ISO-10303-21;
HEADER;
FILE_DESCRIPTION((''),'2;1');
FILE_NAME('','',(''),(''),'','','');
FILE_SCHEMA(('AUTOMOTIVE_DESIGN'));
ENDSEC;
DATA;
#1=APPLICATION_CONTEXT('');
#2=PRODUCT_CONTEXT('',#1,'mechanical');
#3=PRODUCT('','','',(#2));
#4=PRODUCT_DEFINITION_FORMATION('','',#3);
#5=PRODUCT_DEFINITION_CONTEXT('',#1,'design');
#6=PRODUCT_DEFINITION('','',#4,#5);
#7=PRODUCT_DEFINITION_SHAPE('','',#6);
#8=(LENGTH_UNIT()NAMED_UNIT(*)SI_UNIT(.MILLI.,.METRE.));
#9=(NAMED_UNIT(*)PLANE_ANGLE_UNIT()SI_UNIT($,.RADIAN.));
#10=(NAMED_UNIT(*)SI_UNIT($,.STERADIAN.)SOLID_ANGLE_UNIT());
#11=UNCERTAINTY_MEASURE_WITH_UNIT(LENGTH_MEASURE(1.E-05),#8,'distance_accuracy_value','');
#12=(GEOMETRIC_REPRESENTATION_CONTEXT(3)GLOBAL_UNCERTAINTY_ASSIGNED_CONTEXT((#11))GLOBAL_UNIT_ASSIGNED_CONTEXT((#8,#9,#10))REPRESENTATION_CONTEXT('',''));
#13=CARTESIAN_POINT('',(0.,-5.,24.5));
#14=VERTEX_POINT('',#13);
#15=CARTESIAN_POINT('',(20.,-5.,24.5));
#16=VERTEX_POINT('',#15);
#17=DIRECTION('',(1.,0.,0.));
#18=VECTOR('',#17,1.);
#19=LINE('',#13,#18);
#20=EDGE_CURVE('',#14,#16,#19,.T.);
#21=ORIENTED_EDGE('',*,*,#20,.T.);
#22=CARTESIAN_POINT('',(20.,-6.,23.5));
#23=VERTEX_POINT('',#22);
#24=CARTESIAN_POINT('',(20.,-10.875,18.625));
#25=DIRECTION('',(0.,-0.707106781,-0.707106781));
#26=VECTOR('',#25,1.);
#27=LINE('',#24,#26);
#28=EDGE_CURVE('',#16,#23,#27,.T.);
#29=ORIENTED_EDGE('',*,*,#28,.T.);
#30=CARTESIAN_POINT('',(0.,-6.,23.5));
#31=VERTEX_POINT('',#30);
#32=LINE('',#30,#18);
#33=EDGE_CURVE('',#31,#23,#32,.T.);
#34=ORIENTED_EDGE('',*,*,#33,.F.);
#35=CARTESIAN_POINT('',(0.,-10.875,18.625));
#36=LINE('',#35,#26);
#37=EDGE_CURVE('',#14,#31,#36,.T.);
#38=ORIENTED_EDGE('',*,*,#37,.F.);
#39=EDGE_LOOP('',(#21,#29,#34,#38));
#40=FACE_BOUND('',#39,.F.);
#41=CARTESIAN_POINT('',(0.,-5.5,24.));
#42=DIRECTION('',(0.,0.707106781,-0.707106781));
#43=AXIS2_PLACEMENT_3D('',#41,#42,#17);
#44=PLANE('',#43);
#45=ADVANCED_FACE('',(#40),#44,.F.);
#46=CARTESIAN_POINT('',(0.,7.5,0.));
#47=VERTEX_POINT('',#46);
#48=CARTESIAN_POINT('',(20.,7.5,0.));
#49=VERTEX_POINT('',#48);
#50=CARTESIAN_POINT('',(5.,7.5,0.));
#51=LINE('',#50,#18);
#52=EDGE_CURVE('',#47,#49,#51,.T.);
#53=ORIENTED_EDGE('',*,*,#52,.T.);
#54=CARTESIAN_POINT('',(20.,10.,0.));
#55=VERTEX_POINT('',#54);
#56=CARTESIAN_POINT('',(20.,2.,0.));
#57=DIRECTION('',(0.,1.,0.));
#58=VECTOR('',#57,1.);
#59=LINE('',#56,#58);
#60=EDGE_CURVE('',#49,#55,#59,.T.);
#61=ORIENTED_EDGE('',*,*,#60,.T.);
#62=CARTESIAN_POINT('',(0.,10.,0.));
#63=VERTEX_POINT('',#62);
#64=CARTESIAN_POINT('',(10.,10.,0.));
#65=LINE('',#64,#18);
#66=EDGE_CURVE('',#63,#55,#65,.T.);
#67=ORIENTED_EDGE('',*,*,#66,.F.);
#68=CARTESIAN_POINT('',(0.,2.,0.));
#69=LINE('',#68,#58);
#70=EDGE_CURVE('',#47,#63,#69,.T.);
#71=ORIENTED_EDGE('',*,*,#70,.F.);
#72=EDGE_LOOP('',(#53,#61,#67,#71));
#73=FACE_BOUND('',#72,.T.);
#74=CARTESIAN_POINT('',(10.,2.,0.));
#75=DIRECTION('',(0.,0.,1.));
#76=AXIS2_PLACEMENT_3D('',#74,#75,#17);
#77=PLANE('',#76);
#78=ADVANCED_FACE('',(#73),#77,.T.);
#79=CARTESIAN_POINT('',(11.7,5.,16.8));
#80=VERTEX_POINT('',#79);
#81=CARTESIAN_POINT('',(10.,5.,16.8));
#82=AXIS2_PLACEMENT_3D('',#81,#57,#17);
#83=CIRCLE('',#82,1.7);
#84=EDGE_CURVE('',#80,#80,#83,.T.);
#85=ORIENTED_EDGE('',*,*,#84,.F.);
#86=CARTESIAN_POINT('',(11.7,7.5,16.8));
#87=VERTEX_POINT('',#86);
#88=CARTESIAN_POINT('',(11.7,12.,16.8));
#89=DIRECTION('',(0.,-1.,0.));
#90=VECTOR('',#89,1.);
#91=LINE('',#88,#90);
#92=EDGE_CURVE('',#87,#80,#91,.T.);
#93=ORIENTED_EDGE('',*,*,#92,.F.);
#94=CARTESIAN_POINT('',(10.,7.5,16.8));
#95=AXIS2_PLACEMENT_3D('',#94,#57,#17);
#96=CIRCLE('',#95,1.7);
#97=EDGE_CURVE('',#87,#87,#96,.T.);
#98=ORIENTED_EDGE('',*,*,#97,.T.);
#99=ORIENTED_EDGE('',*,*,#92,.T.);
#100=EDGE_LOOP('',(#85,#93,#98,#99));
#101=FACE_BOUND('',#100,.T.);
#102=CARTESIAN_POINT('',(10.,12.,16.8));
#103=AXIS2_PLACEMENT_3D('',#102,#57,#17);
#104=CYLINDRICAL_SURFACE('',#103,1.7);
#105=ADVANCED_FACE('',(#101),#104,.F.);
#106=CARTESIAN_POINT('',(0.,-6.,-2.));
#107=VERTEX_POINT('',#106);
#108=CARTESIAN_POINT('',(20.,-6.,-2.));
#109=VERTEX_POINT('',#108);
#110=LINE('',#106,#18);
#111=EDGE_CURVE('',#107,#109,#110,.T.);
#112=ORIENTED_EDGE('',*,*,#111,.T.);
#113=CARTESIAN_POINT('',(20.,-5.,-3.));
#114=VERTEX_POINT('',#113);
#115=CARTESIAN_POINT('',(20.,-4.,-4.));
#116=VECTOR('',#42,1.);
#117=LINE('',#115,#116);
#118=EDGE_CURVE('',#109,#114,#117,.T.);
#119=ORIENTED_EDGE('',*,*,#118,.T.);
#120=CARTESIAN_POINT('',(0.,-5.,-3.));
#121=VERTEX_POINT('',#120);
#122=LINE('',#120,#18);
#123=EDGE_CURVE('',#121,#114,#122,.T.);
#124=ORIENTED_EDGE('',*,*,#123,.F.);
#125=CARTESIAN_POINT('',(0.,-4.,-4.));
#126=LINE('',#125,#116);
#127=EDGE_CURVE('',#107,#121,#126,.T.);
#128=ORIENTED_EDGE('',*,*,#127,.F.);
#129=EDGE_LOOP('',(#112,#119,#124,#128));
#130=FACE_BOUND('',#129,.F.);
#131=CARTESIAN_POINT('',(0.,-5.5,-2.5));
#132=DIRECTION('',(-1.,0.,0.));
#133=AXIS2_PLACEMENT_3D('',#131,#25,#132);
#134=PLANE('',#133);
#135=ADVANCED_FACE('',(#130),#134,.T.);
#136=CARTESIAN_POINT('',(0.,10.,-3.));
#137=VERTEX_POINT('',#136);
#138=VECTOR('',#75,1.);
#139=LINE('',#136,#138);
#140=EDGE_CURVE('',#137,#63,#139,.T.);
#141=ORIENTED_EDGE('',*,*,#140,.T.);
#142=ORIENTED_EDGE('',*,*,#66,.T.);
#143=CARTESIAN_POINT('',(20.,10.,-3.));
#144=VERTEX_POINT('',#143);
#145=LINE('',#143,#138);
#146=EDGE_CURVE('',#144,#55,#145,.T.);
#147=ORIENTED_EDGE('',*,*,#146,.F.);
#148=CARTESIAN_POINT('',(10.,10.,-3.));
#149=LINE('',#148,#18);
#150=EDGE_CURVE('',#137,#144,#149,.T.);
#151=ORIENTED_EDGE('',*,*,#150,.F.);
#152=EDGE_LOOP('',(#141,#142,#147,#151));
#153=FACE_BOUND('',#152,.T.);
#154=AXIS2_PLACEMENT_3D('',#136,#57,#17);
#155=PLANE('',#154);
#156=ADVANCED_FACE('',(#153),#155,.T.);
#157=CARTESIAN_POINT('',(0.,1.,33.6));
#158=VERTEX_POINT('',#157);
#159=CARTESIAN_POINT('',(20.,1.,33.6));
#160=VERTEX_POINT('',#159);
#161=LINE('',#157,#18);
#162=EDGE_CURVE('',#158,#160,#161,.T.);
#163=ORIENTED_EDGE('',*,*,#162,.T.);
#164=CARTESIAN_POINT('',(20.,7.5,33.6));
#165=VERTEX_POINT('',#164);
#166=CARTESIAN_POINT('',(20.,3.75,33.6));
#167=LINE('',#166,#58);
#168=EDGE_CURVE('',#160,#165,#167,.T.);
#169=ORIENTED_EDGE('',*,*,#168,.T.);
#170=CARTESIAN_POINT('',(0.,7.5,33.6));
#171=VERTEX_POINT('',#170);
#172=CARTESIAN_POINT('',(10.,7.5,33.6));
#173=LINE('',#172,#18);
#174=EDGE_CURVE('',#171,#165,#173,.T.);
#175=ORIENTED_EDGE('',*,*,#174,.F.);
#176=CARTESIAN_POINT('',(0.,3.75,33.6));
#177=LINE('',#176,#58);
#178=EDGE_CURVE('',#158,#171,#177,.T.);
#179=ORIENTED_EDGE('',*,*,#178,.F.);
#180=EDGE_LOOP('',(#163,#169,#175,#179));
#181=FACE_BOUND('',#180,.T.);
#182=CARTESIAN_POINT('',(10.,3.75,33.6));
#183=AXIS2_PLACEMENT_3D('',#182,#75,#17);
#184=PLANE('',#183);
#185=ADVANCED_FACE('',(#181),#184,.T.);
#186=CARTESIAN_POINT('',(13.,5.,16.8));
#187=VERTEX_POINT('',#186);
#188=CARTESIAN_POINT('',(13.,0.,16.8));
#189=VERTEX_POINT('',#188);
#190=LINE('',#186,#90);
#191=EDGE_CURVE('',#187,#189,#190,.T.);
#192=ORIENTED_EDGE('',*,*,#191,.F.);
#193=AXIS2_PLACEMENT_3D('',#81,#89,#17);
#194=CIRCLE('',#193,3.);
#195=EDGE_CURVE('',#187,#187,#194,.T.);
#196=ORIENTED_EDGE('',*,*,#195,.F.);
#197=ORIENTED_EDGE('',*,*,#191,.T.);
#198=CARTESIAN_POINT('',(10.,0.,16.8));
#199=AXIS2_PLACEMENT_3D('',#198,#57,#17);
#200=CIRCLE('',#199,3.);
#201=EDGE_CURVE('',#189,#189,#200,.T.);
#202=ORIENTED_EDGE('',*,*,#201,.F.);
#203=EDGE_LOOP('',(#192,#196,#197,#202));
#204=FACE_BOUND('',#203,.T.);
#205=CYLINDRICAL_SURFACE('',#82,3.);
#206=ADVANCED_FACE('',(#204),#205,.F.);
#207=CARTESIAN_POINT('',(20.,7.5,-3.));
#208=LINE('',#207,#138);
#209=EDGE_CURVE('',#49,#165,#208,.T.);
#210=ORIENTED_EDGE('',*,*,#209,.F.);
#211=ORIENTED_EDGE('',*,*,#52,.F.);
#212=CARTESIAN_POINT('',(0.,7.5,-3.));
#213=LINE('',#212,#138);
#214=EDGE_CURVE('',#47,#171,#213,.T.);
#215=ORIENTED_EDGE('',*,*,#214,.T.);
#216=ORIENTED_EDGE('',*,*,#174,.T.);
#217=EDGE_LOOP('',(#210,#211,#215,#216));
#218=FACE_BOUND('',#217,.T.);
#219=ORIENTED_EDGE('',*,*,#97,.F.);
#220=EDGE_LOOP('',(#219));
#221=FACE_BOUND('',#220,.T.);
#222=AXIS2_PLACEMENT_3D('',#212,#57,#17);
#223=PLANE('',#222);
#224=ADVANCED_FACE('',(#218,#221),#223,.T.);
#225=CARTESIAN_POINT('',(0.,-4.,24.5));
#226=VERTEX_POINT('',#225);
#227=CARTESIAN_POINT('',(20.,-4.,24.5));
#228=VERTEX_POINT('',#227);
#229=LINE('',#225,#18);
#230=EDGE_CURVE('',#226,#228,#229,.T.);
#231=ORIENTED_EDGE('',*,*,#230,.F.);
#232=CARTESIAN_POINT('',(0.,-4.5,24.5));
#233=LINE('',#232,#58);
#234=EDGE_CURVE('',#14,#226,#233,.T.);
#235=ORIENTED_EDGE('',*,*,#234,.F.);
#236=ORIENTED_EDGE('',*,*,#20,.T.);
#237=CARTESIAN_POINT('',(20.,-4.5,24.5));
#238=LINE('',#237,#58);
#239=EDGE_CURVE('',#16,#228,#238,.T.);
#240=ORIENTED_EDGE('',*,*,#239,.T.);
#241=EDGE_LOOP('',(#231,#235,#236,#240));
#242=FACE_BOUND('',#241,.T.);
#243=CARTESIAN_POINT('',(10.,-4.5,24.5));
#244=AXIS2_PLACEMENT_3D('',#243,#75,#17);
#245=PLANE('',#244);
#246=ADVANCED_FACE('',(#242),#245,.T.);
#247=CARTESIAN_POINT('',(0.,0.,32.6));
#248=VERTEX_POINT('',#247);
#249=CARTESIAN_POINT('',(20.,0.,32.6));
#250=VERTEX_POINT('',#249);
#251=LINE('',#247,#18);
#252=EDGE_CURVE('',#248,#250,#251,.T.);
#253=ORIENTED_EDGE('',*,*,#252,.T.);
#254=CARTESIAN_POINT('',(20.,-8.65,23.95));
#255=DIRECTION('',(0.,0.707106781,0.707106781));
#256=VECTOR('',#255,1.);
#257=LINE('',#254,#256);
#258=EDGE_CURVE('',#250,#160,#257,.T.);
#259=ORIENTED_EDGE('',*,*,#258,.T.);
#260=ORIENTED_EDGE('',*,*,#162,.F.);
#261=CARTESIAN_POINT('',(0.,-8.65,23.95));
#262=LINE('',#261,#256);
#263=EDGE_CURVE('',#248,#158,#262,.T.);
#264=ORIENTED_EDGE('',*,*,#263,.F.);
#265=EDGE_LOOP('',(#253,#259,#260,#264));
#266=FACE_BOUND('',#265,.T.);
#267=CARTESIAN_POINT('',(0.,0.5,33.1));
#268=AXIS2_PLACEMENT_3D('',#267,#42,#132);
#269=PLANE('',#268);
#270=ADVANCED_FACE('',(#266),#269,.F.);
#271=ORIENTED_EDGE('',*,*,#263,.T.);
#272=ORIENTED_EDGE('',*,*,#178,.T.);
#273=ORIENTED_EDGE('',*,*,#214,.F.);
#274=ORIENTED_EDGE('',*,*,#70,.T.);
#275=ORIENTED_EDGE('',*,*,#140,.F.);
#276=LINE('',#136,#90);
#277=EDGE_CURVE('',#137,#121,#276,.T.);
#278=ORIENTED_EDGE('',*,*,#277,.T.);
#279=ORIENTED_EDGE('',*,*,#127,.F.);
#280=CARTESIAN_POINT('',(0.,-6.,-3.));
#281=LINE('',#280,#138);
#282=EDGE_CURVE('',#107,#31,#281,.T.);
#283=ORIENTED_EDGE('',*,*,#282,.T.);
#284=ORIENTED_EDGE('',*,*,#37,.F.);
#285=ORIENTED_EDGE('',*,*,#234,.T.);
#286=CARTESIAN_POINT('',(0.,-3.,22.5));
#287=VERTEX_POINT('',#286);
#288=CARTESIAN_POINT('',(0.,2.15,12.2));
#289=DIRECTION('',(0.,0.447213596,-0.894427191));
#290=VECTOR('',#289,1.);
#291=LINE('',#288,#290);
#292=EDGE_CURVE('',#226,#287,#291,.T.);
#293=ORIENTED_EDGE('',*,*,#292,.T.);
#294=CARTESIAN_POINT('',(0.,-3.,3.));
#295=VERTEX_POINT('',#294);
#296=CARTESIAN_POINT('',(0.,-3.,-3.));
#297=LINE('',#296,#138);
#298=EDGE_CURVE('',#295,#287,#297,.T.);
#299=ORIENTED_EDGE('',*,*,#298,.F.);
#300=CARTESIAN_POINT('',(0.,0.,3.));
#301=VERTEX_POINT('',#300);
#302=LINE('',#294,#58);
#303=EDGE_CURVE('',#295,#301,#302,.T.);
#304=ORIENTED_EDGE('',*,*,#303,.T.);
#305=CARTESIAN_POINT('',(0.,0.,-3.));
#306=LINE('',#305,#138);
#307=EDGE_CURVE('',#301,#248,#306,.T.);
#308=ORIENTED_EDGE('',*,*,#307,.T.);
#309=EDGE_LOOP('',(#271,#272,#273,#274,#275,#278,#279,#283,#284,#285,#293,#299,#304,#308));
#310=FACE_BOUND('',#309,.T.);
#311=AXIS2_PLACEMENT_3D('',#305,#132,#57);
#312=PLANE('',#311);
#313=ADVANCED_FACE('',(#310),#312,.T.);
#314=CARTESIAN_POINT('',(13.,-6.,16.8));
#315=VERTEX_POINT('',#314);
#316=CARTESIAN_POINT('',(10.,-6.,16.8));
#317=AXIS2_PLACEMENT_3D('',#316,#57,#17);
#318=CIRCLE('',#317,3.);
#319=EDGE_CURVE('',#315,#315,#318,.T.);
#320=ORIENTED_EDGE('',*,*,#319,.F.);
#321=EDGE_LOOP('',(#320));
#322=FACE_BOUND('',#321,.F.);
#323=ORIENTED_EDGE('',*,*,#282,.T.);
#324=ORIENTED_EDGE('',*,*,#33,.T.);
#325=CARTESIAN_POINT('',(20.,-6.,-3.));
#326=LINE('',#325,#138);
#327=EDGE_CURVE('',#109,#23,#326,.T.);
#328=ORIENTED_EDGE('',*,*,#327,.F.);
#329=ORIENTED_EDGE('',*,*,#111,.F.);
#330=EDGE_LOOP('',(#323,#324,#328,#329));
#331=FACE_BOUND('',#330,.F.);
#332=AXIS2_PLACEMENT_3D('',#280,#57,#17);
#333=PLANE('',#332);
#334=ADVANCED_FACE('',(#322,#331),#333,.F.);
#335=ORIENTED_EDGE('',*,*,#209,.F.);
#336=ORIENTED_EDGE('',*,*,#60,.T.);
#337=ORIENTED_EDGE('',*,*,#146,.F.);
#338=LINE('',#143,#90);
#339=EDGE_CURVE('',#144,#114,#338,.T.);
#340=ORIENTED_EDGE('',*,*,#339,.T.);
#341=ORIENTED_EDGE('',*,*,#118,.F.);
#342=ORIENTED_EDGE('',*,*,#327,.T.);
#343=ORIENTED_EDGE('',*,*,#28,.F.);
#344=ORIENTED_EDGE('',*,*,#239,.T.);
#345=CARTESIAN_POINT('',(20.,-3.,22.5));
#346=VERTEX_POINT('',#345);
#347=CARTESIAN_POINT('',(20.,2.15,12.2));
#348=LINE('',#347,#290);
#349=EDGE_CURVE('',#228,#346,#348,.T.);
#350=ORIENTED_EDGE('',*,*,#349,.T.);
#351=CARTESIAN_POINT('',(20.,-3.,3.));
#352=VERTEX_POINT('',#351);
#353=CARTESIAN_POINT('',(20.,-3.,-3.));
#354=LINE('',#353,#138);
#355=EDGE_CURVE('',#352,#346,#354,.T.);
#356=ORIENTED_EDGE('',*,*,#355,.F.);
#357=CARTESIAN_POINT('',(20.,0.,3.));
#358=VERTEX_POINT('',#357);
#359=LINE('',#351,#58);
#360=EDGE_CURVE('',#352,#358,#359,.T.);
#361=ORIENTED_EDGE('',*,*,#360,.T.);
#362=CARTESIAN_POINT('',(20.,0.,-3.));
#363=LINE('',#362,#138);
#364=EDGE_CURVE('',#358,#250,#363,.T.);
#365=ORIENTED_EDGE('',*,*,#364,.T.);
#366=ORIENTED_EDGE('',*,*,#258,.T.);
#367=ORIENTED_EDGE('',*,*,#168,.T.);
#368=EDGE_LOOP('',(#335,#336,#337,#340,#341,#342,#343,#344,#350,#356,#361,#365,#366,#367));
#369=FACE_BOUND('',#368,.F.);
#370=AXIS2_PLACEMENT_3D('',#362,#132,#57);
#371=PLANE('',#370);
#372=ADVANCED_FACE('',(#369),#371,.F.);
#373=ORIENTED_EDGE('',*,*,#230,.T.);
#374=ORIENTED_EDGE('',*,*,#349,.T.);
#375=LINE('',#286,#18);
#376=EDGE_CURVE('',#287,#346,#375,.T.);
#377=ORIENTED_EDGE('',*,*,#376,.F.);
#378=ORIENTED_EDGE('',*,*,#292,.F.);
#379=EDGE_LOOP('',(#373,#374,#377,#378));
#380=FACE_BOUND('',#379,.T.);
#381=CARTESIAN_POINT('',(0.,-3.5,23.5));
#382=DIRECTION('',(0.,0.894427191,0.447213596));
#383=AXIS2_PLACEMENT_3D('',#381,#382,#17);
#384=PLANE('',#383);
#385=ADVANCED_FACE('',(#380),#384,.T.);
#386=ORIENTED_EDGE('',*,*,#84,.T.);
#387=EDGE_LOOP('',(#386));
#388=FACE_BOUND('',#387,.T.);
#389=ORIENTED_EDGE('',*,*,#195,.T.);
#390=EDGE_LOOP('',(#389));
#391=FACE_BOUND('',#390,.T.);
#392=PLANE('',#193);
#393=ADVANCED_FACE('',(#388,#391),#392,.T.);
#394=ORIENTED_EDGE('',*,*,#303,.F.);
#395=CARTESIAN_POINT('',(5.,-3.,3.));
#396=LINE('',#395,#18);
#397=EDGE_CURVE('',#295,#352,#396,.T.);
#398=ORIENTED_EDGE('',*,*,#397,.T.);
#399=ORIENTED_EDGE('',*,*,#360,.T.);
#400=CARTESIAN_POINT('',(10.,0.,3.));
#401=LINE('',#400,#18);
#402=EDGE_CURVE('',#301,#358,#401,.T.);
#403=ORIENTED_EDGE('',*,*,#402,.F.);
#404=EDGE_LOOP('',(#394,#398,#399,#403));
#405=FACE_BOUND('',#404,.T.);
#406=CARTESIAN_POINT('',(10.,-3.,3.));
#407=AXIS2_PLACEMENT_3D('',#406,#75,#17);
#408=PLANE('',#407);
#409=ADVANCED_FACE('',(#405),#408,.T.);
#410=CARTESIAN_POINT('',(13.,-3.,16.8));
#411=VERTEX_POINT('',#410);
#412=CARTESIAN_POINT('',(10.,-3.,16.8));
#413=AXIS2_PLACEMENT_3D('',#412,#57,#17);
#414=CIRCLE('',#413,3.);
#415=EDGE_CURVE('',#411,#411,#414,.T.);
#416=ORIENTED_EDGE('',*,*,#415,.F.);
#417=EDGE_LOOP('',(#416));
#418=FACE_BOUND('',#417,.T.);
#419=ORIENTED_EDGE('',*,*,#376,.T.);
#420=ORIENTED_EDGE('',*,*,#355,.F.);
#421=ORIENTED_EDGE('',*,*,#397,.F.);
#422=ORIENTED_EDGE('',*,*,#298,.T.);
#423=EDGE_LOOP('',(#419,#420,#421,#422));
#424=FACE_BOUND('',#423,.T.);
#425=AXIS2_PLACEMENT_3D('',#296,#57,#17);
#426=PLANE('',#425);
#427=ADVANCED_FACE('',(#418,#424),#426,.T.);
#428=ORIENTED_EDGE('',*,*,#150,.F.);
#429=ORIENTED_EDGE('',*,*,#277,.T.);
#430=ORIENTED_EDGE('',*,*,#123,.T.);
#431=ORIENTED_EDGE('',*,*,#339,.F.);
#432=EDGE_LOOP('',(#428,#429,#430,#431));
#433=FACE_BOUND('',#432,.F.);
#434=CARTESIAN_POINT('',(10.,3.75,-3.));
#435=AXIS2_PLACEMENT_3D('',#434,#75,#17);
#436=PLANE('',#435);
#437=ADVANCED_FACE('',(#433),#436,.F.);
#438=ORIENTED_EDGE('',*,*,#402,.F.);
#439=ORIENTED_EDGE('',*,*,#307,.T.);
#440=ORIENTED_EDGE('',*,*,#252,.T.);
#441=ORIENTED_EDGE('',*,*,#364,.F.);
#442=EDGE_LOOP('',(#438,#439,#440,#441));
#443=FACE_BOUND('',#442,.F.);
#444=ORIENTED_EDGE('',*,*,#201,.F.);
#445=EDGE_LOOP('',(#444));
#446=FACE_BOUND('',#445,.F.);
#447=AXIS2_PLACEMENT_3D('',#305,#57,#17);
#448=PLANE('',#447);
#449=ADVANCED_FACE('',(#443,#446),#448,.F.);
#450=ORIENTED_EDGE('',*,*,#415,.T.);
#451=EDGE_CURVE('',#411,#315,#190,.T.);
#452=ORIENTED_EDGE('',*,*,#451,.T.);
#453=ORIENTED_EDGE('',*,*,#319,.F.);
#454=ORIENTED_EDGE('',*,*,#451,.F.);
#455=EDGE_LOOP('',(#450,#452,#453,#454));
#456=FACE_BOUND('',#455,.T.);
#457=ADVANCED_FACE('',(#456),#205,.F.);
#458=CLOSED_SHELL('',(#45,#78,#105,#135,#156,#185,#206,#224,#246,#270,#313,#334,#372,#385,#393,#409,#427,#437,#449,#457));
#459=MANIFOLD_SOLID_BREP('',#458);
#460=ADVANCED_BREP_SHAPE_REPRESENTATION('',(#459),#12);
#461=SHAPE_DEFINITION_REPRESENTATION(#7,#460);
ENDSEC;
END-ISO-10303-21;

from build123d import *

# Parameters (mm, degrees)
CYLINDER016_R     = 1.7
CYLINDER016_DEPTH = 20
CYLINDER015_R     = 3
CYLINDER015_DEPTH = 20
BOX026_W          = 20
BOX026_H          = 6
BOX026_DEPTH      = 6
BOX025_W          = 20
BOX025_H          = 7.5
BOX025_DEPTH      = 36.6
BOX027_W          = 20
BOX027_H          = 16
BOX027_DEPTH      = 3
BOX028_W          = 20
BOX028_H          = 3
BOX028_DEPTH      = 27.5
CHAMFER022_SIZE2  = 2
CHAMFER022_SIZE   = 1
CHAMFER023_SIZE   = 1


with BuildPart() as cylinder016:
    # Cylinder016 → Cylinder016 (new body)
    with BuildSketch(Plane(origin=(10, 12, 16.8), x_dir=(1, 0, 0), z_dir=(0, -1, 0))):
        Circle(CYLINDER016_R)
    extrude(amount=CYLINDER016_DEPTH)


with BuildPart() as cylinder015:
    # Cylinder015 → Cylinder015 (new body)
    with BuildSketch(Plane(origin=(10, 5, 16.8), x_dir=(1, 0, 0), z_dir=(0, -1, 0))):
        Circle(CYLINDER015_R)
    extrude(amount=CYLINDER015_DEPTH)


with BuildPart() as cube026:
    # Box026 → Box026 (new body)
    with BuildSketch(Plane(origin=(0, -6, -3), x_dir=(1, 0, 0), z_dir=(0, 0, 1))):
        with Locations((10, 3)):
            Rectangle(BOX026_W, BOX026_H)
    extrude(amount=BOX026_DEPTH)


with BuildPart() as cube025:
    # Box025 → Box025 (new body)
    with BuildSketch(Plane.XY.offset(-3)):
        with Locations((10, 3.75)):
            Rectangle(BOX025_W, BOX025_H)
    extrude(amount=BOX025_DEPTH)


with BuildPart() as cube027:
    # Box027 → Box027 (new body)
    with BuildSketch(Plane(origin=(0, -6, -3), x_dir=(1, 0, 0), z_dir=(0, 0, 1))):
        with Locations((10, 8)):
            Rectangle(BOX027_W, BOX027_H)
    extrude(amount=BOX027_DEPTH)


with BuildPart() as clip_side_bottom_center:
    # Box028 → Box028 (new body)
    with BuildSketch(Plane(origin=(0, -6, -3), x_dir=(1, 0, 0), z_dir=(0, 0, 1))):
        with Locations((10, 1.5)):
            Rectangle(BOX028_W, BOX028_H)
    extrude(amount=BOX028_DEPTH)

    # Fusion011: union Cube026, Cube025, Cube027
    add(cube026.part)
    add(cube025.part)
    add(cube027.part)

    # Chamfer022
    chamfer022_edges = [clip_side_bottom_center.edges().sort_by_distance(p)[0] for p in [
        (10, -3, 24.5),
    ]]
    chamfer022_side = clip_side_bottom_center.faces().sort_by_distance((10, -4.5, 24.5))[0]
    chamfer(chamfer022_edges, length=CHAMFER022_SIZE, length2=CHAMFER022_SIZE2, reference=chamfer022_side)

    # Chamfer023
    chamfer023_edges = [clip_side_bottom_center.edges().sort_by_distance(p)[0] for p in [
        (10, -6, 24.5),
        (10, -6, -3),
        (10, 0, 33.6),
    ]]
    chamfer(chamfer023_edges, length=CHAMFER023_SIZE)

    # Cut012: cut Cylinder015
    add(cylinder015.part, mode=Mode.SUBTRACT)

    # Cut013: cut Cylinder016
    add(cylinder016.part, mode=Mode.SUBTRACT)


solid = clip_side_bottom_center.part
